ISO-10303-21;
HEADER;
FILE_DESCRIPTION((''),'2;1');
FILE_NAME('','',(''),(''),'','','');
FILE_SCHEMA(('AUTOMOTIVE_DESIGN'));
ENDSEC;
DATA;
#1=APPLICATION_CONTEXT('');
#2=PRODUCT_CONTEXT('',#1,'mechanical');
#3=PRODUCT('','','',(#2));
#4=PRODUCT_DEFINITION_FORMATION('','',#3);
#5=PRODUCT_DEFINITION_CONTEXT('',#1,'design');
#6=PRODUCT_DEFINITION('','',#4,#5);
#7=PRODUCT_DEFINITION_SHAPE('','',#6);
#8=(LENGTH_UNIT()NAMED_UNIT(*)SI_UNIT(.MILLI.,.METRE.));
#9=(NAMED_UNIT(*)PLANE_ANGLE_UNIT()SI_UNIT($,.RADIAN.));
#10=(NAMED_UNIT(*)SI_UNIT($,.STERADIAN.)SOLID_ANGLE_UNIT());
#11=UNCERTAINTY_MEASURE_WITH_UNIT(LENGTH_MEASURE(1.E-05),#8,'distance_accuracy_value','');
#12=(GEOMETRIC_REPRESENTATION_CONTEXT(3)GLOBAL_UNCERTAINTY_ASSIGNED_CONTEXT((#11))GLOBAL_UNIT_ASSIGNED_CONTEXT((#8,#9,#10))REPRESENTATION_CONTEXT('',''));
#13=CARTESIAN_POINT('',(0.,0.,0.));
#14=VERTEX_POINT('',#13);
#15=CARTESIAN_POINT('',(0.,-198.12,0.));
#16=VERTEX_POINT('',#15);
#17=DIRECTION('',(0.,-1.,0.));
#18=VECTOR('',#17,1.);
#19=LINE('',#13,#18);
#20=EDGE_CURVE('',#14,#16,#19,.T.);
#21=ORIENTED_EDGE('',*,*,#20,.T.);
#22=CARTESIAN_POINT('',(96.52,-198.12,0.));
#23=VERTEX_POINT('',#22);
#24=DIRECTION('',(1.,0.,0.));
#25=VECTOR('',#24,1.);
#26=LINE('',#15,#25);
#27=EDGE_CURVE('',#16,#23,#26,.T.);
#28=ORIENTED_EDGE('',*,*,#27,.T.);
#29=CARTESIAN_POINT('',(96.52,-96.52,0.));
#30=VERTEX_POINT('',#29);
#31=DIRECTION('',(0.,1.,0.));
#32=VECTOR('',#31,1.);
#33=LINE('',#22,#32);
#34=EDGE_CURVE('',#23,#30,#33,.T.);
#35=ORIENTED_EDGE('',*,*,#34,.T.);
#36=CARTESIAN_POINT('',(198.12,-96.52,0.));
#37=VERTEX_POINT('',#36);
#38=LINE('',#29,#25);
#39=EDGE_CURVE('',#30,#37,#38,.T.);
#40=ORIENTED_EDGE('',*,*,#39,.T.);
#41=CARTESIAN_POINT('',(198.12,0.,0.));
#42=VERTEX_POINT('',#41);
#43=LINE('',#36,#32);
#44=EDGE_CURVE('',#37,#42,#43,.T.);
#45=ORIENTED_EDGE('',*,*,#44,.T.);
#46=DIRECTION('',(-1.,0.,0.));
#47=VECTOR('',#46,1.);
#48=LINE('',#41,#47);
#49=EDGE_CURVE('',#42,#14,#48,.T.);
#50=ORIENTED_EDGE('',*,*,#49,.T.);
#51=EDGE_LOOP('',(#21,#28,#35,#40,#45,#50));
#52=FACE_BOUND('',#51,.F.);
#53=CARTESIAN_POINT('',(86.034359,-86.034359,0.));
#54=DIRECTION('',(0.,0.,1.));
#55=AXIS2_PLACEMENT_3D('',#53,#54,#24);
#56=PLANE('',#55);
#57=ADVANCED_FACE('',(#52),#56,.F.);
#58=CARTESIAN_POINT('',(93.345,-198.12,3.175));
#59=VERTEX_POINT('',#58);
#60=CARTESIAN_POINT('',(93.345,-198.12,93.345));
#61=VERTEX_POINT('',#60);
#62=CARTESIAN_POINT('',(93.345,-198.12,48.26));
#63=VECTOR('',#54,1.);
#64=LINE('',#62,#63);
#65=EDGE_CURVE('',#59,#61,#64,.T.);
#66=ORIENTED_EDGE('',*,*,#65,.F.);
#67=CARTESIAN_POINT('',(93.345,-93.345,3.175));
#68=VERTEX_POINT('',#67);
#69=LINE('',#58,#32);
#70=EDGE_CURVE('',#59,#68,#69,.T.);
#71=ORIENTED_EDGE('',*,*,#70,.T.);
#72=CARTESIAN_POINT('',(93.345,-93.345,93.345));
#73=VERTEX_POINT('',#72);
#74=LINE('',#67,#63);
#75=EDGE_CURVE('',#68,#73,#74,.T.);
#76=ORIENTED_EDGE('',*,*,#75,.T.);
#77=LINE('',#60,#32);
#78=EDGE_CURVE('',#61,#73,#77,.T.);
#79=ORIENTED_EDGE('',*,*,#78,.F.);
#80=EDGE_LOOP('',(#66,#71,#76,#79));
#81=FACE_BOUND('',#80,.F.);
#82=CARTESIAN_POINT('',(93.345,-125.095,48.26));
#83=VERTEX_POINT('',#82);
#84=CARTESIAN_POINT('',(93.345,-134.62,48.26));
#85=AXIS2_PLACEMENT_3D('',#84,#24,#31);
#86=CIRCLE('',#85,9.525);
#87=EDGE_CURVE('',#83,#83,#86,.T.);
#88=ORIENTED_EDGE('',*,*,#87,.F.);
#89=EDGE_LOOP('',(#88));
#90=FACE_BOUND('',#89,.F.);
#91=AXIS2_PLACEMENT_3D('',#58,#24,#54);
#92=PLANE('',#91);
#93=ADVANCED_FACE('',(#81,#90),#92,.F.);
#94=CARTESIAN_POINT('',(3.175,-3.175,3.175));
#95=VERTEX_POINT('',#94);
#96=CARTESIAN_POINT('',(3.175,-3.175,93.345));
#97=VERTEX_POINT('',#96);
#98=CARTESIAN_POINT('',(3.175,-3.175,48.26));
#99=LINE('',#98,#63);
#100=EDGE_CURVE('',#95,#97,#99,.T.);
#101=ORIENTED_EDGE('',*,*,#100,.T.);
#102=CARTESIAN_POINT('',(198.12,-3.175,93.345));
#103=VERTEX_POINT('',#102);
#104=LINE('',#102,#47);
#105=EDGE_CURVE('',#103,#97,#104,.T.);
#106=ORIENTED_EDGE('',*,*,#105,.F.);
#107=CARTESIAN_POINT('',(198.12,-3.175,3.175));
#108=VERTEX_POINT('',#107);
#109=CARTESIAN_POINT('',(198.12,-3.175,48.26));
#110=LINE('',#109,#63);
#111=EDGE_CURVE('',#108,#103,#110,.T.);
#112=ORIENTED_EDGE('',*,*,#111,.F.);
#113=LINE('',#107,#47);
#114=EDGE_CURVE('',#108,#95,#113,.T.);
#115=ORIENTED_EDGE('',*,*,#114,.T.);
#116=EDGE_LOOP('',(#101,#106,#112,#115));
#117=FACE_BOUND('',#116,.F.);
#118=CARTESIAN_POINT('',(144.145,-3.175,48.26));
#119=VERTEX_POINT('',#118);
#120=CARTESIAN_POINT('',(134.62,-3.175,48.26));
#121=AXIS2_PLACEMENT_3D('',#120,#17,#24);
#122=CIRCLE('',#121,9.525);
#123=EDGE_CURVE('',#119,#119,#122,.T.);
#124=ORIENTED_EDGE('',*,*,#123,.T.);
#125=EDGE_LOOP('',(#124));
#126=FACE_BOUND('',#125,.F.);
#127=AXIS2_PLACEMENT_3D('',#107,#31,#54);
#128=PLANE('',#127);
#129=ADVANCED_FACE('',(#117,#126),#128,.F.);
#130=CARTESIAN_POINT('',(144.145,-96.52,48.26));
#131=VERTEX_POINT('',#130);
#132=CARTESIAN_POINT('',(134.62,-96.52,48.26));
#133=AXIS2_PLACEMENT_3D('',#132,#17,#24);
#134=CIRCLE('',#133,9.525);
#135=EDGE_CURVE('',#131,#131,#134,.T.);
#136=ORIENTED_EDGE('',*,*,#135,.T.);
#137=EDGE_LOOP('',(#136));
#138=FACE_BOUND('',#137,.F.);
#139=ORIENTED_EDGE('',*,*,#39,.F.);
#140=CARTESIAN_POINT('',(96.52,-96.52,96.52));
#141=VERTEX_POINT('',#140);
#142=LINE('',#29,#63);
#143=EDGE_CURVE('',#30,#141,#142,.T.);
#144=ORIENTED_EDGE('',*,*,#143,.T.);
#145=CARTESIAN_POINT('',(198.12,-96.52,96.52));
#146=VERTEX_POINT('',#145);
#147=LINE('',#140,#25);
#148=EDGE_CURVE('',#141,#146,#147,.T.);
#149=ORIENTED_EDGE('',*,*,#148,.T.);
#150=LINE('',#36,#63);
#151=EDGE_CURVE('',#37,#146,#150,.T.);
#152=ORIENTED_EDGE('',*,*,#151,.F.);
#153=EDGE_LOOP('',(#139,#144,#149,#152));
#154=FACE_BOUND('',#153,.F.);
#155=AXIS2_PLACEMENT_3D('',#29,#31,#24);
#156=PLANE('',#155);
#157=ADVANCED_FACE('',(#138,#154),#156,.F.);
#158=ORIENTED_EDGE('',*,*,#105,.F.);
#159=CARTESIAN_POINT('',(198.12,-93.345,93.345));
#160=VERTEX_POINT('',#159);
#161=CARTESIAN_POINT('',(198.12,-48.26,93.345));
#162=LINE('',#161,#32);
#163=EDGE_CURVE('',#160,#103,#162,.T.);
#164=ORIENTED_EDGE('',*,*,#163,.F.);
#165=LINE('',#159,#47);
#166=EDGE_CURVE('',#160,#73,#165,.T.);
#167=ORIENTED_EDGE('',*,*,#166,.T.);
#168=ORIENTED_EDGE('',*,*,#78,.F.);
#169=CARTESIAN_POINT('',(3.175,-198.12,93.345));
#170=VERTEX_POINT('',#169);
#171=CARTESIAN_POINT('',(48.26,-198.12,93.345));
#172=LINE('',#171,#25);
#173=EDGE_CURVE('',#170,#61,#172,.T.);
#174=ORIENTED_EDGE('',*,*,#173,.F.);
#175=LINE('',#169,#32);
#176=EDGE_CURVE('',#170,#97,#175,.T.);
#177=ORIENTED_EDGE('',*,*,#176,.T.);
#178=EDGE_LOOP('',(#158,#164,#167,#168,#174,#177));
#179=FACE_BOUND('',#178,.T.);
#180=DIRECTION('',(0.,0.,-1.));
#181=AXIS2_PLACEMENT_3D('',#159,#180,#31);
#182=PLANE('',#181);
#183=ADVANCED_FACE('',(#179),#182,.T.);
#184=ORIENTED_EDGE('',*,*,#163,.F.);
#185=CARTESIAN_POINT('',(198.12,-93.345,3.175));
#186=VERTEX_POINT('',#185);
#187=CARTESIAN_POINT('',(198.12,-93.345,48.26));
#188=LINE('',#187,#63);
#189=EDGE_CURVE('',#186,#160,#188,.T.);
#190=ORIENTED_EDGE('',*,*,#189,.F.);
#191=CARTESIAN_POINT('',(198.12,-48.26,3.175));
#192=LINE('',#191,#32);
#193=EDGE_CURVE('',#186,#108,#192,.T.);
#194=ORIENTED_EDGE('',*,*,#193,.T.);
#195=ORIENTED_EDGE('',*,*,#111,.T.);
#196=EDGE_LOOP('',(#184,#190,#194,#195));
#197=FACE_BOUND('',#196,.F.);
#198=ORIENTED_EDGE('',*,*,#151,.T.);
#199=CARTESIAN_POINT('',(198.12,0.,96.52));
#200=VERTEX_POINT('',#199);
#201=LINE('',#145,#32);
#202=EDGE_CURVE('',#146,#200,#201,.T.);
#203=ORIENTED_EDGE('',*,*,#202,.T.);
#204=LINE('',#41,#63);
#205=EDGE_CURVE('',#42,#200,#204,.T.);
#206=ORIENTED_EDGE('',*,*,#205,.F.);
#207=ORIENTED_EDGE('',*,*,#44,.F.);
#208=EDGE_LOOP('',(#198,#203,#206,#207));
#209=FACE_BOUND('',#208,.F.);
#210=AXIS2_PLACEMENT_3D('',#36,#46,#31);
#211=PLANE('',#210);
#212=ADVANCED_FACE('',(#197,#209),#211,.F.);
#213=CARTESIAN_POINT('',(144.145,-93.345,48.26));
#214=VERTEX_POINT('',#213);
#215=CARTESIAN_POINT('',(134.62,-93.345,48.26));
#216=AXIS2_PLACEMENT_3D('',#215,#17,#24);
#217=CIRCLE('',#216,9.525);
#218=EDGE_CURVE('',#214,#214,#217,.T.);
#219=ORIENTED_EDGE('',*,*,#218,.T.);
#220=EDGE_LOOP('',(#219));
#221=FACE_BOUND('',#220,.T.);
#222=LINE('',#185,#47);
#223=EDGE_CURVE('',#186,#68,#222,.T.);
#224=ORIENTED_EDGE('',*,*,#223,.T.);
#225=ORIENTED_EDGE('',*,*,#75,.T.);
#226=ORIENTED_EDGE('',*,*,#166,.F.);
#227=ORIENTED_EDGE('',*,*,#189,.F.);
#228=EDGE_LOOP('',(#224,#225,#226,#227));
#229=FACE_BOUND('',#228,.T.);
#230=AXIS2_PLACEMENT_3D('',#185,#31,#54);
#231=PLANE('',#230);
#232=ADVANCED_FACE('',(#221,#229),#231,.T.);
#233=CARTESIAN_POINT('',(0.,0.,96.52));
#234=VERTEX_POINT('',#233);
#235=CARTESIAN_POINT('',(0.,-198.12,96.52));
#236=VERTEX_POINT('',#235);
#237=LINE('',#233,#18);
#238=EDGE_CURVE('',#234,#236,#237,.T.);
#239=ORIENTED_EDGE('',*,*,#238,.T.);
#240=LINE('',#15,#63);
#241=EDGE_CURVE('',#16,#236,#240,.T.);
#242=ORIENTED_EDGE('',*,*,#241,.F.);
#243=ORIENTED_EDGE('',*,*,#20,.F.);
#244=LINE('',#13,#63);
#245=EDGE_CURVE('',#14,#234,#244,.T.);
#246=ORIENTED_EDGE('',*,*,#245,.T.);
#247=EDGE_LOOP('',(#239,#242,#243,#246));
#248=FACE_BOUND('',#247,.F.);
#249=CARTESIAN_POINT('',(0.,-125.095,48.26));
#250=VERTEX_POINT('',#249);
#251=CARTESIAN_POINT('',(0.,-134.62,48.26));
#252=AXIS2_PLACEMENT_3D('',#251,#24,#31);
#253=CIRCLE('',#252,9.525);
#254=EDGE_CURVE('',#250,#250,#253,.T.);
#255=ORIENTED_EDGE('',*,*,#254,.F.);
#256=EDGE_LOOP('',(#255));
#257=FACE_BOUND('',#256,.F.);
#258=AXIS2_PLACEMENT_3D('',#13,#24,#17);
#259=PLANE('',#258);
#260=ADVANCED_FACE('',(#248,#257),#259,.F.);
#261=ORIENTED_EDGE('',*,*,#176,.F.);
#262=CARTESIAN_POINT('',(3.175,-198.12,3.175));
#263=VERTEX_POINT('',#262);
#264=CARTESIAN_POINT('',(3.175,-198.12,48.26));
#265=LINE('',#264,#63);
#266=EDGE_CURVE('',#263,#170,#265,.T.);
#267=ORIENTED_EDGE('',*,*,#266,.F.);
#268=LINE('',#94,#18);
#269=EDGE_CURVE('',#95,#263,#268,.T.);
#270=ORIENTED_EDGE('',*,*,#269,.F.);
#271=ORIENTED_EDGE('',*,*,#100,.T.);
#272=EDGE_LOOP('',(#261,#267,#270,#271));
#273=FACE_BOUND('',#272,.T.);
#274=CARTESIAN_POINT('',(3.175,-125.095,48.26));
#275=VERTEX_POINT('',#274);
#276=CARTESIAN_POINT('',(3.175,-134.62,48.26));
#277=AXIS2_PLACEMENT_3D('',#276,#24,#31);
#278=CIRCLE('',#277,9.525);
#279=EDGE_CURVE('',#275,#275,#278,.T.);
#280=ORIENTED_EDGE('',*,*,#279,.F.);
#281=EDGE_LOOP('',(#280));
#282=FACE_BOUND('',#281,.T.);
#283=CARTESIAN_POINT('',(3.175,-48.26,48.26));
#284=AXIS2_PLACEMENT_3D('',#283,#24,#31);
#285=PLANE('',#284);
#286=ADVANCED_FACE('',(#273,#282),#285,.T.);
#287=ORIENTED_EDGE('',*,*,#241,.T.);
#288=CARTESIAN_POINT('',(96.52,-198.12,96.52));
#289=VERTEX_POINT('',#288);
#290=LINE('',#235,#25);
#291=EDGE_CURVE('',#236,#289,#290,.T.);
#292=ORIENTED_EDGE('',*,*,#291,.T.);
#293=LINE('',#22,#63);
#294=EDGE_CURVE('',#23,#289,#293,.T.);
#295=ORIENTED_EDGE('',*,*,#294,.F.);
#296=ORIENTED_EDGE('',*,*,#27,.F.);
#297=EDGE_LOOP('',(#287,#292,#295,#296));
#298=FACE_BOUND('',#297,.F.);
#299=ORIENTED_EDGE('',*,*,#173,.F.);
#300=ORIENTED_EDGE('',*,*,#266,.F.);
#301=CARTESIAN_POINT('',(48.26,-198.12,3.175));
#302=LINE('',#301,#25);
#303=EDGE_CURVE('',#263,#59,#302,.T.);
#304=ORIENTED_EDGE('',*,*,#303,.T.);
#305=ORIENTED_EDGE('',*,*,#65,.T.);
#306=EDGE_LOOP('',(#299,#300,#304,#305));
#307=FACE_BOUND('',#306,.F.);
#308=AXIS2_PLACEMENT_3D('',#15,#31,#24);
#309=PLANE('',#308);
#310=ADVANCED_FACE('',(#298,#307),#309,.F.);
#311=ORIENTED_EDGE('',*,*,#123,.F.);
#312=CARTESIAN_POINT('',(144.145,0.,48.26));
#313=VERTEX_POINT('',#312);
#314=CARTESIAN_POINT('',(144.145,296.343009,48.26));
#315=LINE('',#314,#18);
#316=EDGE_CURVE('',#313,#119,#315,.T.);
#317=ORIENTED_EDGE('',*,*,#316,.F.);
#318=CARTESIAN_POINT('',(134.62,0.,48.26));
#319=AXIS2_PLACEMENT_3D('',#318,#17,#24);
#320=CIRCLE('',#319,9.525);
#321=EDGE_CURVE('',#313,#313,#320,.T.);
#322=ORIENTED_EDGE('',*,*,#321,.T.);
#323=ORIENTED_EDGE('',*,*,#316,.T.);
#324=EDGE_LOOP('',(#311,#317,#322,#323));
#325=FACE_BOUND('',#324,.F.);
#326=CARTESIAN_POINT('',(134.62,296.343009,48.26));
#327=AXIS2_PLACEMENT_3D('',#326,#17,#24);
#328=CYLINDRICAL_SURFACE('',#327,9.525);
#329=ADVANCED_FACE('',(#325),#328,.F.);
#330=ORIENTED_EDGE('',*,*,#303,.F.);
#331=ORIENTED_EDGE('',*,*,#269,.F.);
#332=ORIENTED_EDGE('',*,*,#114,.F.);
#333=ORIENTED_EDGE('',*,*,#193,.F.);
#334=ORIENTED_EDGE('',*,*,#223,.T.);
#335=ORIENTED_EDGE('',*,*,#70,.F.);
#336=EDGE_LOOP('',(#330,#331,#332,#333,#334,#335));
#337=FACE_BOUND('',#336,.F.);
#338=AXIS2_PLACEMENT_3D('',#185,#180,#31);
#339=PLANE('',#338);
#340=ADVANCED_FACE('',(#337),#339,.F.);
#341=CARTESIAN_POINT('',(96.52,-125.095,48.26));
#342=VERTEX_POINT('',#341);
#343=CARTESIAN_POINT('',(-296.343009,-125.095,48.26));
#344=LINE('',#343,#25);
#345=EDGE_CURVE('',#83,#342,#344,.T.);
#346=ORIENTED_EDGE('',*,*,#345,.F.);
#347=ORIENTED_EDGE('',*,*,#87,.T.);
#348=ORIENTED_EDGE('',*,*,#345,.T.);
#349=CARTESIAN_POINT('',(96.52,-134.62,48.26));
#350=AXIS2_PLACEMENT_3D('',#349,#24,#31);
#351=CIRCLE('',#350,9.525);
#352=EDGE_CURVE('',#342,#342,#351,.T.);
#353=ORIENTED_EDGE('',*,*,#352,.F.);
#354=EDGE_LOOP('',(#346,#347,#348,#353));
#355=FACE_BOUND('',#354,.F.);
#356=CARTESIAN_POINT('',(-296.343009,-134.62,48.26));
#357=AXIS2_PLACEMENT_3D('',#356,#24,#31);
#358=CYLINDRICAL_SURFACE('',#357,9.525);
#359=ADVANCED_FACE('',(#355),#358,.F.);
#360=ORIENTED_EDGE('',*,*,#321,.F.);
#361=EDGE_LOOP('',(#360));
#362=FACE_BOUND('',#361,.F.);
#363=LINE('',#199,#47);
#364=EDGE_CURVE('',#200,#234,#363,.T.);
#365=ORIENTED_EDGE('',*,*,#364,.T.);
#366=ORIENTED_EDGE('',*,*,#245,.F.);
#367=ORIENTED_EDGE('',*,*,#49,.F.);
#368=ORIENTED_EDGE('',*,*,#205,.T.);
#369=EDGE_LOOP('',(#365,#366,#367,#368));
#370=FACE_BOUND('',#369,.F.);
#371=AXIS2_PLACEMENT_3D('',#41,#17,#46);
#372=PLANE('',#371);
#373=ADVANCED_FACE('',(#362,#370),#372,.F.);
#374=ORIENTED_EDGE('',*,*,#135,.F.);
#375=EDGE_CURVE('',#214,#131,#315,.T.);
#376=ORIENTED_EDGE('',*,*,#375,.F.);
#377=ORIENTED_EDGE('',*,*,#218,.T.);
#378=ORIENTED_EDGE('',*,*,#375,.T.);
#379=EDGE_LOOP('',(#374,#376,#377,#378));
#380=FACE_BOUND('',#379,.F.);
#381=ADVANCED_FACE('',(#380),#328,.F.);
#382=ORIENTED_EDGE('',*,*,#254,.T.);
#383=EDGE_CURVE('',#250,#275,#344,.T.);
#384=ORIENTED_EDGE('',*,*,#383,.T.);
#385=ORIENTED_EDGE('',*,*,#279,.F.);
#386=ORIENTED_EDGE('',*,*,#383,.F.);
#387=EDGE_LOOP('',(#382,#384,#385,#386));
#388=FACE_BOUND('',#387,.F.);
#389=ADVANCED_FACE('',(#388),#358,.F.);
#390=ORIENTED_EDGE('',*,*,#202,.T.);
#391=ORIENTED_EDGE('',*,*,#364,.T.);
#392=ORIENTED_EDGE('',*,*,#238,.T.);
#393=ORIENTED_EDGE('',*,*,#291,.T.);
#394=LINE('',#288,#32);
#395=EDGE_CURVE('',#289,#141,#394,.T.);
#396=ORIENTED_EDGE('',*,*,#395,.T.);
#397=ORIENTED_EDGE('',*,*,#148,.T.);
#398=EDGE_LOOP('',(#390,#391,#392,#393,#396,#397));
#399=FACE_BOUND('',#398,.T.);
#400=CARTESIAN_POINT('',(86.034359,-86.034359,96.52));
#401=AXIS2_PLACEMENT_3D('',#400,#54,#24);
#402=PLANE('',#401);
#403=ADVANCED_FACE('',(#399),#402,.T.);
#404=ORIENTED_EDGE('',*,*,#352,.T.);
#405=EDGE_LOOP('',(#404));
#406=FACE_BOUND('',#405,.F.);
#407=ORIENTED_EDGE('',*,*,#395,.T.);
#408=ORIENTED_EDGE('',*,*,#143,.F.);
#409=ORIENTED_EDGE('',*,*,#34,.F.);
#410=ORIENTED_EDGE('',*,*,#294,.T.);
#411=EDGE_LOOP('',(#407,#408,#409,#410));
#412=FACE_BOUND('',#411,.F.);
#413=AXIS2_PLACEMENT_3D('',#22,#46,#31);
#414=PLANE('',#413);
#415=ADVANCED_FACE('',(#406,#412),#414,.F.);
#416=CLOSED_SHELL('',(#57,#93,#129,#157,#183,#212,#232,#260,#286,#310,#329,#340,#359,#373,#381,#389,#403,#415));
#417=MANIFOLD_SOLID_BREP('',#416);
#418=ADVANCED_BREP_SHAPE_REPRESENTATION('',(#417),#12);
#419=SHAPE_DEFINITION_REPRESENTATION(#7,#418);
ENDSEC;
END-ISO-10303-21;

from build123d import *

# Parameters (mm, degrees)
F1_DEPTH   = 96.52
F2_W       = 90.17
F2_H       = 90.17
F3_DEPTH   = 106.68
F4_W       = 90.17
F4_H       = 90.17
F5_DEPTH   = 194.945
F8_D       = 19.05
F8_ON_F6_D = 19.05


with BuildPart() as f1:
    # F0 (on Top) → F1 (new body)
    with BuildSketch(Plane.XY):
        Polygon((198.12, 0), (0, 0), (0, -198.12), (96.52, -198.12), (96.52, -96.52), (198.12, -96.52), align=None)
    extrude(amount=F1_DEPTH)

    # F2 (on face) → F3 (cut)
    with BuildSketch(Plane.XZ.offset(198.12)):
        with Locations((48.26, 48.26)):
            Rectangle(F2_W, F2_H)
    extrude(amount=-F3_DEPTH, mode=Mode.SUBTRACT)

    # F4 (on face) → F5 (cut, through all)
    with BuildSketch(Plane.YZ.offset(198.12)):
        with Locations((-48.26, 48.26)):
            Rectangle(F4_W, F4_H)
    extrude(amount=-F5_DEPTH, mode=Mode.SUBTRACT)

    # F8 (through all)
    with Locations(Plane(origin=(0, 0, 0), x_dir=(-1, 0, 0), z_dir=(0, 1, 0))):
        with Locations((-134.62, 48.26)):
            Hole(F8_D / 2)

    # F8 on F6 (through all)
    with Locations(Plane(origin=(0, 0, 0), x_dir=(0, -1, 0), z_dir=(-1, 0, 0))):
        with Locations((134.62, 48.26)):
            Hole(F8_ON_F6_D / 2)


solid = f1.part
